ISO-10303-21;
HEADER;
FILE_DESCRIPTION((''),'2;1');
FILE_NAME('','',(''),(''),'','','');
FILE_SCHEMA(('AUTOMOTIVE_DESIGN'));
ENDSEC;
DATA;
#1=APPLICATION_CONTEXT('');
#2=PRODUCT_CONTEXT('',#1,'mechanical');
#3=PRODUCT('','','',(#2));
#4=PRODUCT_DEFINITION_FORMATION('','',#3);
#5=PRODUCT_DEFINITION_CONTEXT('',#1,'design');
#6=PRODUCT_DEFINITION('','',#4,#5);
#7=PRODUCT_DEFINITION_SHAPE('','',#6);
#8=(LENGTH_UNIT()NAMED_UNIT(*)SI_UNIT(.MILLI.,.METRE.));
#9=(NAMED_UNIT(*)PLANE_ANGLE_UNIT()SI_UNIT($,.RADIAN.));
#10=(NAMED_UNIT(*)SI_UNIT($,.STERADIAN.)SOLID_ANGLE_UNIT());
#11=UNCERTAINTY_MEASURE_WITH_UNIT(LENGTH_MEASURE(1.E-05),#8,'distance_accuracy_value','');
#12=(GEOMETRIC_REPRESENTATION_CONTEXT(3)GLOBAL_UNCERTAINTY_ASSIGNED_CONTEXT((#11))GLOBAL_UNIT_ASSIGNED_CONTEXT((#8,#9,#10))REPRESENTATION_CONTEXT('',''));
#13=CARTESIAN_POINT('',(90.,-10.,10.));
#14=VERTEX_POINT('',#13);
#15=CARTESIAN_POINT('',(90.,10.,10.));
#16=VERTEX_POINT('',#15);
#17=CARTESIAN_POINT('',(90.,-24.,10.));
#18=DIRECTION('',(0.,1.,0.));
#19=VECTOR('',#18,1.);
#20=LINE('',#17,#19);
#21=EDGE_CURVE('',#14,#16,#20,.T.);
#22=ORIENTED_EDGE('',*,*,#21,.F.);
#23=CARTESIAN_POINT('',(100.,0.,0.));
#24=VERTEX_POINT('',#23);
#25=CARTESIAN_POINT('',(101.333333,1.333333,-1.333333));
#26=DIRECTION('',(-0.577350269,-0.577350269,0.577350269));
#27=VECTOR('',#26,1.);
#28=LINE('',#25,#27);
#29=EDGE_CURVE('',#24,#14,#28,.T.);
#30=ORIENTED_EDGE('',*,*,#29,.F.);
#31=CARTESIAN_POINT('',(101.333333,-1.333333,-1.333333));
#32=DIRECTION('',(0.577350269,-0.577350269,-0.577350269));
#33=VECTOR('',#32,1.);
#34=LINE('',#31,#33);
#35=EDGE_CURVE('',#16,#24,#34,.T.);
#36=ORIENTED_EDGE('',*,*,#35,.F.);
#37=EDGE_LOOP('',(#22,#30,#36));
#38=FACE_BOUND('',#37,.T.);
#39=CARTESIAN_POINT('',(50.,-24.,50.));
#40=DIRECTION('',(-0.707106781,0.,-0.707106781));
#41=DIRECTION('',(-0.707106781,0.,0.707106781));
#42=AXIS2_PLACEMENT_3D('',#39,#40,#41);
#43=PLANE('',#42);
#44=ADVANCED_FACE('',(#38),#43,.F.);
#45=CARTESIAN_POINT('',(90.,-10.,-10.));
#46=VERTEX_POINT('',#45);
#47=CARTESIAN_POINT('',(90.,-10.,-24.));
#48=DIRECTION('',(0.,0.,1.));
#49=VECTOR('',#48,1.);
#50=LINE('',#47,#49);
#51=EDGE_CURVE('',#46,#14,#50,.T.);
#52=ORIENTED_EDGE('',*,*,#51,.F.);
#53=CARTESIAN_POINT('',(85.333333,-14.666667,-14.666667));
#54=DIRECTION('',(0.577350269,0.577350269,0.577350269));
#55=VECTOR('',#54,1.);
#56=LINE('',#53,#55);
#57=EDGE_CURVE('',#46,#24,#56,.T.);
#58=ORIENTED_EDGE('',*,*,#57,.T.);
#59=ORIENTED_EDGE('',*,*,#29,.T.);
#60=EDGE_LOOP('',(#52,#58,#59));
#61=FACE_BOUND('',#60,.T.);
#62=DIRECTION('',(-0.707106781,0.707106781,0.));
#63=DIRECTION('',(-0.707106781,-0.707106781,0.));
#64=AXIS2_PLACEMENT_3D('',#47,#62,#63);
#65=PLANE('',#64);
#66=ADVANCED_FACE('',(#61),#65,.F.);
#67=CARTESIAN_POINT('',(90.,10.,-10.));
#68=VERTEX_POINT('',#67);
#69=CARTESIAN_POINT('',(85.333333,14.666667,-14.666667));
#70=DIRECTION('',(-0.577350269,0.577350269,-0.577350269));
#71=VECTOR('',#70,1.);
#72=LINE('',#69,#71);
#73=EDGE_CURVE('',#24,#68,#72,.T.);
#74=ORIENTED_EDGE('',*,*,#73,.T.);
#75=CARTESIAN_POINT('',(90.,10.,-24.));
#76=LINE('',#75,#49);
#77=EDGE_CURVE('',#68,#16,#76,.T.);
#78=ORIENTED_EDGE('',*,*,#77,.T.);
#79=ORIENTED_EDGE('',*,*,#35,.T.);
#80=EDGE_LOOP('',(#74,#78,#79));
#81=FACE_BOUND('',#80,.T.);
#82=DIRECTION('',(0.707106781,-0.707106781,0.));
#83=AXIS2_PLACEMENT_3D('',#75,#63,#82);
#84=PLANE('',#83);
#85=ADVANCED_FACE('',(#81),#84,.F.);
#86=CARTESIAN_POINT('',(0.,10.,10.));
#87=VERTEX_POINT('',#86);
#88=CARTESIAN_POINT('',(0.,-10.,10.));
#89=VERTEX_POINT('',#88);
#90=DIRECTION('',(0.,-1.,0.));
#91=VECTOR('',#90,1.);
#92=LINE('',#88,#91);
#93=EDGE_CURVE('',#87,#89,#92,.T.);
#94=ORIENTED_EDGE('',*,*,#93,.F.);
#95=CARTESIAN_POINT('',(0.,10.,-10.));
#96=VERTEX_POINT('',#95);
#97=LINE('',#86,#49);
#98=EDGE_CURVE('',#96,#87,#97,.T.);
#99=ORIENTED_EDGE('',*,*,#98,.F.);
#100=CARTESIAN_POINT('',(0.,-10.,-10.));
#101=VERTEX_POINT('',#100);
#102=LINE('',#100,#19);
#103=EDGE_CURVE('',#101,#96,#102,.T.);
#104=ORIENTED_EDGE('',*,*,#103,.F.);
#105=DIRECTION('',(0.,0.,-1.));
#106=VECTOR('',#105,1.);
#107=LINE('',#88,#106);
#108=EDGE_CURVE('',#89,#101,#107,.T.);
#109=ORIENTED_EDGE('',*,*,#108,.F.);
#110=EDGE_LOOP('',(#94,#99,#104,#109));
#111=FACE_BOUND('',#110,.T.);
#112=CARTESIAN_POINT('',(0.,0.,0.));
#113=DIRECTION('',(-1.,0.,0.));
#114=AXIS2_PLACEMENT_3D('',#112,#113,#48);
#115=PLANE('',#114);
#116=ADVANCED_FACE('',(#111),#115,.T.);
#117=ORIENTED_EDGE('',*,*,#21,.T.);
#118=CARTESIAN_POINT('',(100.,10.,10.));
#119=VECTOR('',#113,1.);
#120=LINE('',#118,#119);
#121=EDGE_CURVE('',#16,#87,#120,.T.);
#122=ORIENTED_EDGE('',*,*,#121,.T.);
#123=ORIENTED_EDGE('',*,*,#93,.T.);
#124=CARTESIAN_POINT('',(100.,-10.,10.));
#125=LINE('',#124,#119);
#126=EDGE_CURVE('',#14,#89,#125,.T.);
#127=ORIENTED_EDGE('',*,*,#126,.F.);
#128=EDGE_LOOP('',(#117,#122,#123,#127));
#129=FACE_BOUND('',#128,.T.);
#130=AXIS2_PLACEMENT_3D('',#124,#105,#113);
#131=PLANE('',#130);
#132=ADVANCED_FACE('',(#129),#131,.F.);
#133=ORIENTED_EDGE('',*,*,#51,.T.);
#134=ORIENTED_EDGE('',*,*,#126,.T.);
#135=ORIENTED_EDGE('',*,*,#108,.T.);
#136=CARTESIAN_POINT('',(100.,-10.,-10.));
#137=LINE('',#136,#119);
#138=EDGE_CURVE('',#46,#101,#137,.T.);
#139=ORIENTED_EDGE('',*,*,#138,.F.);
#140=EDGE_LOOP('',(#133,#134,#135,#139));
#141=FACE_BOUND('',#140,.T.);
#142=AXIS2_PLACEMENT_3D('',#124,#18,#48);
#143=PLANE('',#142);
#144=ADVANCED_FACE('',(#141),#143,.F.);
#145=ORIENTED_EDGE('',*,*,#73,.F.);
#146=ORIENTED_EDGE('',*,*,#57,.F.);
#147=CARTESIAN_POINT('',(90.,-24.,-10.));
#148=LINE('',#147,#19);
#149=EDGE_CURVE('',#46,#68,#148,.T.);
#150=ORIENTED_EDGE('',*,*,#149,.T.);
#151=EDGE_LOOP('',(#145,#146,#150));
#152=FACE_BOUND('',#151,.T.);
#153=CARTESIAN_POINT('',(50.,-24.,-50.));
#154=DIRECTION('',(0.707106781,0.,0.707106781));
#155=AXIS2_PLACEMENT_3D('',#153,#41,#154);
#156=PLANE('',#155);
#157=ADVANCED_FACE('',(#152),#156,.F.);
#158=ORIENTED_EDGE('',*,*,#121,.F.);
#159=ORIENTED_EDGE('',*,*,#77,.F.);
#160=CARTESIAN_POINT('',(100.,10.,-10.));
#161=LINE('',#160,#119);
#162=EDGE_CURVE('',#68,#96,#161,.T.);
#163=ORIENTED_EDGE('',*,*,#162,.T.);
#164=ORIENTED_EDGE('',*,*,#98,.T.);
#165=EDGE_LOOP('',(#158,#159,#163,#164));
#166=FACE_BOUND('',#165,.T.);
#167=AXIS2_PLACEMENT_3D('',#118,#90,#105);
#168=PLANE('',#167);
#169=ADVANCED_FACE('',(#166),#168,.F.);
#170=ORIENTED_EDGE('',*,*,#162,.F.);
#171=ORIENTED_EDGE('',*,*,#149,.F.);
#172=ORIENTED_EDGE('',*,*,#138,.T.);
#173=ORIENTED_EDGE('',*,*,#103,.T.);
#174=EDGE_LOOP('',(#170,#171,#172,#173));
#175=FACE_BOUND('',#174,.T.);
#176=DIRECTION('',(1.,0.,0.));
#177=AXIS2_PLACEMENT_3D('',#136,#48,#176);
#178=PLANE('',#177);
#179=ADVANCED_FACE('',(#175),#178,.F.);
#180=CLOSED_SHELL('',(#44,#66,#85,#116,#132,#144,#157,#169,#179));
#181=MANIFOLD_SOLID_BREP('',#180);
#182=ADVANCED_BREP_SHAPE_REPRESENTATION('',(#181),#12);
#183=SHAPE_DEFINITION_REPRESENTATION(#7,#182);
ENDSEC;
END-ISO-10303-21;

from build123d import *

# Parameters (mm, degrees)
SKETCH_1_W          = 20
SKETCH_1_H          = 20
EXTRUDE_1_DEPTH     = 100
CUT_EXTRUDE_1_DEPTH = 34
CUT_EXTRUDE_2_DEPTH = 34
CUT_EXTRUDE_3_DEPTH = 34


with BuildPart() as part:
    # 草图1 → 凸台-拉伸1 (new body)
    with BuildSketch(Plane(origin=(0, 0, 0), x_dir=(0, 0, -1), z_dir=(1, 0, 0))):
        Rectangle(SKETCH_1_W, SKETCH_1_H)
    extrude(amount=EXTRUDE_1_DEPTH)

    # 草图2 → 切除-拉伸1 (cut)
    with BuildSketch(Plane.XY.offset(10)):
        Polygon((100, 10), (90, 10), (100, 0), align=None)
    extrude(amount=-CUT_EXTRUDE_1_DEPTH, mode=Mode.SUBTRACT)

    # 草图3 → 切除-拉伸2 (cut)
    with BuildSketch(Plane.XY.offset(10)):
        Polygon((100, 0), (100, -10), (90, -10), align=None)
    extrude(amount=-CUT_EXTRUDE_2_DEPTH, mode=Mode.SUBTRACT)

    # 草图4 → 切除-拉伸3 (cut)
    with BuildSketch(Plane(origin=(0, 10, 0), x_dir=(1, 0, 0), z_dir=(0, 1, 0))):
        Polygon((100, 10), (90, 10), (100, 0), align=None)
        Polygon((90, -10), (100, -10), (100, 0), align=None)
    extrude(amount=-CUT_EXTRUDE_3_DEPTH, mode=Mode.SUBTRACT)


solid = part.part
